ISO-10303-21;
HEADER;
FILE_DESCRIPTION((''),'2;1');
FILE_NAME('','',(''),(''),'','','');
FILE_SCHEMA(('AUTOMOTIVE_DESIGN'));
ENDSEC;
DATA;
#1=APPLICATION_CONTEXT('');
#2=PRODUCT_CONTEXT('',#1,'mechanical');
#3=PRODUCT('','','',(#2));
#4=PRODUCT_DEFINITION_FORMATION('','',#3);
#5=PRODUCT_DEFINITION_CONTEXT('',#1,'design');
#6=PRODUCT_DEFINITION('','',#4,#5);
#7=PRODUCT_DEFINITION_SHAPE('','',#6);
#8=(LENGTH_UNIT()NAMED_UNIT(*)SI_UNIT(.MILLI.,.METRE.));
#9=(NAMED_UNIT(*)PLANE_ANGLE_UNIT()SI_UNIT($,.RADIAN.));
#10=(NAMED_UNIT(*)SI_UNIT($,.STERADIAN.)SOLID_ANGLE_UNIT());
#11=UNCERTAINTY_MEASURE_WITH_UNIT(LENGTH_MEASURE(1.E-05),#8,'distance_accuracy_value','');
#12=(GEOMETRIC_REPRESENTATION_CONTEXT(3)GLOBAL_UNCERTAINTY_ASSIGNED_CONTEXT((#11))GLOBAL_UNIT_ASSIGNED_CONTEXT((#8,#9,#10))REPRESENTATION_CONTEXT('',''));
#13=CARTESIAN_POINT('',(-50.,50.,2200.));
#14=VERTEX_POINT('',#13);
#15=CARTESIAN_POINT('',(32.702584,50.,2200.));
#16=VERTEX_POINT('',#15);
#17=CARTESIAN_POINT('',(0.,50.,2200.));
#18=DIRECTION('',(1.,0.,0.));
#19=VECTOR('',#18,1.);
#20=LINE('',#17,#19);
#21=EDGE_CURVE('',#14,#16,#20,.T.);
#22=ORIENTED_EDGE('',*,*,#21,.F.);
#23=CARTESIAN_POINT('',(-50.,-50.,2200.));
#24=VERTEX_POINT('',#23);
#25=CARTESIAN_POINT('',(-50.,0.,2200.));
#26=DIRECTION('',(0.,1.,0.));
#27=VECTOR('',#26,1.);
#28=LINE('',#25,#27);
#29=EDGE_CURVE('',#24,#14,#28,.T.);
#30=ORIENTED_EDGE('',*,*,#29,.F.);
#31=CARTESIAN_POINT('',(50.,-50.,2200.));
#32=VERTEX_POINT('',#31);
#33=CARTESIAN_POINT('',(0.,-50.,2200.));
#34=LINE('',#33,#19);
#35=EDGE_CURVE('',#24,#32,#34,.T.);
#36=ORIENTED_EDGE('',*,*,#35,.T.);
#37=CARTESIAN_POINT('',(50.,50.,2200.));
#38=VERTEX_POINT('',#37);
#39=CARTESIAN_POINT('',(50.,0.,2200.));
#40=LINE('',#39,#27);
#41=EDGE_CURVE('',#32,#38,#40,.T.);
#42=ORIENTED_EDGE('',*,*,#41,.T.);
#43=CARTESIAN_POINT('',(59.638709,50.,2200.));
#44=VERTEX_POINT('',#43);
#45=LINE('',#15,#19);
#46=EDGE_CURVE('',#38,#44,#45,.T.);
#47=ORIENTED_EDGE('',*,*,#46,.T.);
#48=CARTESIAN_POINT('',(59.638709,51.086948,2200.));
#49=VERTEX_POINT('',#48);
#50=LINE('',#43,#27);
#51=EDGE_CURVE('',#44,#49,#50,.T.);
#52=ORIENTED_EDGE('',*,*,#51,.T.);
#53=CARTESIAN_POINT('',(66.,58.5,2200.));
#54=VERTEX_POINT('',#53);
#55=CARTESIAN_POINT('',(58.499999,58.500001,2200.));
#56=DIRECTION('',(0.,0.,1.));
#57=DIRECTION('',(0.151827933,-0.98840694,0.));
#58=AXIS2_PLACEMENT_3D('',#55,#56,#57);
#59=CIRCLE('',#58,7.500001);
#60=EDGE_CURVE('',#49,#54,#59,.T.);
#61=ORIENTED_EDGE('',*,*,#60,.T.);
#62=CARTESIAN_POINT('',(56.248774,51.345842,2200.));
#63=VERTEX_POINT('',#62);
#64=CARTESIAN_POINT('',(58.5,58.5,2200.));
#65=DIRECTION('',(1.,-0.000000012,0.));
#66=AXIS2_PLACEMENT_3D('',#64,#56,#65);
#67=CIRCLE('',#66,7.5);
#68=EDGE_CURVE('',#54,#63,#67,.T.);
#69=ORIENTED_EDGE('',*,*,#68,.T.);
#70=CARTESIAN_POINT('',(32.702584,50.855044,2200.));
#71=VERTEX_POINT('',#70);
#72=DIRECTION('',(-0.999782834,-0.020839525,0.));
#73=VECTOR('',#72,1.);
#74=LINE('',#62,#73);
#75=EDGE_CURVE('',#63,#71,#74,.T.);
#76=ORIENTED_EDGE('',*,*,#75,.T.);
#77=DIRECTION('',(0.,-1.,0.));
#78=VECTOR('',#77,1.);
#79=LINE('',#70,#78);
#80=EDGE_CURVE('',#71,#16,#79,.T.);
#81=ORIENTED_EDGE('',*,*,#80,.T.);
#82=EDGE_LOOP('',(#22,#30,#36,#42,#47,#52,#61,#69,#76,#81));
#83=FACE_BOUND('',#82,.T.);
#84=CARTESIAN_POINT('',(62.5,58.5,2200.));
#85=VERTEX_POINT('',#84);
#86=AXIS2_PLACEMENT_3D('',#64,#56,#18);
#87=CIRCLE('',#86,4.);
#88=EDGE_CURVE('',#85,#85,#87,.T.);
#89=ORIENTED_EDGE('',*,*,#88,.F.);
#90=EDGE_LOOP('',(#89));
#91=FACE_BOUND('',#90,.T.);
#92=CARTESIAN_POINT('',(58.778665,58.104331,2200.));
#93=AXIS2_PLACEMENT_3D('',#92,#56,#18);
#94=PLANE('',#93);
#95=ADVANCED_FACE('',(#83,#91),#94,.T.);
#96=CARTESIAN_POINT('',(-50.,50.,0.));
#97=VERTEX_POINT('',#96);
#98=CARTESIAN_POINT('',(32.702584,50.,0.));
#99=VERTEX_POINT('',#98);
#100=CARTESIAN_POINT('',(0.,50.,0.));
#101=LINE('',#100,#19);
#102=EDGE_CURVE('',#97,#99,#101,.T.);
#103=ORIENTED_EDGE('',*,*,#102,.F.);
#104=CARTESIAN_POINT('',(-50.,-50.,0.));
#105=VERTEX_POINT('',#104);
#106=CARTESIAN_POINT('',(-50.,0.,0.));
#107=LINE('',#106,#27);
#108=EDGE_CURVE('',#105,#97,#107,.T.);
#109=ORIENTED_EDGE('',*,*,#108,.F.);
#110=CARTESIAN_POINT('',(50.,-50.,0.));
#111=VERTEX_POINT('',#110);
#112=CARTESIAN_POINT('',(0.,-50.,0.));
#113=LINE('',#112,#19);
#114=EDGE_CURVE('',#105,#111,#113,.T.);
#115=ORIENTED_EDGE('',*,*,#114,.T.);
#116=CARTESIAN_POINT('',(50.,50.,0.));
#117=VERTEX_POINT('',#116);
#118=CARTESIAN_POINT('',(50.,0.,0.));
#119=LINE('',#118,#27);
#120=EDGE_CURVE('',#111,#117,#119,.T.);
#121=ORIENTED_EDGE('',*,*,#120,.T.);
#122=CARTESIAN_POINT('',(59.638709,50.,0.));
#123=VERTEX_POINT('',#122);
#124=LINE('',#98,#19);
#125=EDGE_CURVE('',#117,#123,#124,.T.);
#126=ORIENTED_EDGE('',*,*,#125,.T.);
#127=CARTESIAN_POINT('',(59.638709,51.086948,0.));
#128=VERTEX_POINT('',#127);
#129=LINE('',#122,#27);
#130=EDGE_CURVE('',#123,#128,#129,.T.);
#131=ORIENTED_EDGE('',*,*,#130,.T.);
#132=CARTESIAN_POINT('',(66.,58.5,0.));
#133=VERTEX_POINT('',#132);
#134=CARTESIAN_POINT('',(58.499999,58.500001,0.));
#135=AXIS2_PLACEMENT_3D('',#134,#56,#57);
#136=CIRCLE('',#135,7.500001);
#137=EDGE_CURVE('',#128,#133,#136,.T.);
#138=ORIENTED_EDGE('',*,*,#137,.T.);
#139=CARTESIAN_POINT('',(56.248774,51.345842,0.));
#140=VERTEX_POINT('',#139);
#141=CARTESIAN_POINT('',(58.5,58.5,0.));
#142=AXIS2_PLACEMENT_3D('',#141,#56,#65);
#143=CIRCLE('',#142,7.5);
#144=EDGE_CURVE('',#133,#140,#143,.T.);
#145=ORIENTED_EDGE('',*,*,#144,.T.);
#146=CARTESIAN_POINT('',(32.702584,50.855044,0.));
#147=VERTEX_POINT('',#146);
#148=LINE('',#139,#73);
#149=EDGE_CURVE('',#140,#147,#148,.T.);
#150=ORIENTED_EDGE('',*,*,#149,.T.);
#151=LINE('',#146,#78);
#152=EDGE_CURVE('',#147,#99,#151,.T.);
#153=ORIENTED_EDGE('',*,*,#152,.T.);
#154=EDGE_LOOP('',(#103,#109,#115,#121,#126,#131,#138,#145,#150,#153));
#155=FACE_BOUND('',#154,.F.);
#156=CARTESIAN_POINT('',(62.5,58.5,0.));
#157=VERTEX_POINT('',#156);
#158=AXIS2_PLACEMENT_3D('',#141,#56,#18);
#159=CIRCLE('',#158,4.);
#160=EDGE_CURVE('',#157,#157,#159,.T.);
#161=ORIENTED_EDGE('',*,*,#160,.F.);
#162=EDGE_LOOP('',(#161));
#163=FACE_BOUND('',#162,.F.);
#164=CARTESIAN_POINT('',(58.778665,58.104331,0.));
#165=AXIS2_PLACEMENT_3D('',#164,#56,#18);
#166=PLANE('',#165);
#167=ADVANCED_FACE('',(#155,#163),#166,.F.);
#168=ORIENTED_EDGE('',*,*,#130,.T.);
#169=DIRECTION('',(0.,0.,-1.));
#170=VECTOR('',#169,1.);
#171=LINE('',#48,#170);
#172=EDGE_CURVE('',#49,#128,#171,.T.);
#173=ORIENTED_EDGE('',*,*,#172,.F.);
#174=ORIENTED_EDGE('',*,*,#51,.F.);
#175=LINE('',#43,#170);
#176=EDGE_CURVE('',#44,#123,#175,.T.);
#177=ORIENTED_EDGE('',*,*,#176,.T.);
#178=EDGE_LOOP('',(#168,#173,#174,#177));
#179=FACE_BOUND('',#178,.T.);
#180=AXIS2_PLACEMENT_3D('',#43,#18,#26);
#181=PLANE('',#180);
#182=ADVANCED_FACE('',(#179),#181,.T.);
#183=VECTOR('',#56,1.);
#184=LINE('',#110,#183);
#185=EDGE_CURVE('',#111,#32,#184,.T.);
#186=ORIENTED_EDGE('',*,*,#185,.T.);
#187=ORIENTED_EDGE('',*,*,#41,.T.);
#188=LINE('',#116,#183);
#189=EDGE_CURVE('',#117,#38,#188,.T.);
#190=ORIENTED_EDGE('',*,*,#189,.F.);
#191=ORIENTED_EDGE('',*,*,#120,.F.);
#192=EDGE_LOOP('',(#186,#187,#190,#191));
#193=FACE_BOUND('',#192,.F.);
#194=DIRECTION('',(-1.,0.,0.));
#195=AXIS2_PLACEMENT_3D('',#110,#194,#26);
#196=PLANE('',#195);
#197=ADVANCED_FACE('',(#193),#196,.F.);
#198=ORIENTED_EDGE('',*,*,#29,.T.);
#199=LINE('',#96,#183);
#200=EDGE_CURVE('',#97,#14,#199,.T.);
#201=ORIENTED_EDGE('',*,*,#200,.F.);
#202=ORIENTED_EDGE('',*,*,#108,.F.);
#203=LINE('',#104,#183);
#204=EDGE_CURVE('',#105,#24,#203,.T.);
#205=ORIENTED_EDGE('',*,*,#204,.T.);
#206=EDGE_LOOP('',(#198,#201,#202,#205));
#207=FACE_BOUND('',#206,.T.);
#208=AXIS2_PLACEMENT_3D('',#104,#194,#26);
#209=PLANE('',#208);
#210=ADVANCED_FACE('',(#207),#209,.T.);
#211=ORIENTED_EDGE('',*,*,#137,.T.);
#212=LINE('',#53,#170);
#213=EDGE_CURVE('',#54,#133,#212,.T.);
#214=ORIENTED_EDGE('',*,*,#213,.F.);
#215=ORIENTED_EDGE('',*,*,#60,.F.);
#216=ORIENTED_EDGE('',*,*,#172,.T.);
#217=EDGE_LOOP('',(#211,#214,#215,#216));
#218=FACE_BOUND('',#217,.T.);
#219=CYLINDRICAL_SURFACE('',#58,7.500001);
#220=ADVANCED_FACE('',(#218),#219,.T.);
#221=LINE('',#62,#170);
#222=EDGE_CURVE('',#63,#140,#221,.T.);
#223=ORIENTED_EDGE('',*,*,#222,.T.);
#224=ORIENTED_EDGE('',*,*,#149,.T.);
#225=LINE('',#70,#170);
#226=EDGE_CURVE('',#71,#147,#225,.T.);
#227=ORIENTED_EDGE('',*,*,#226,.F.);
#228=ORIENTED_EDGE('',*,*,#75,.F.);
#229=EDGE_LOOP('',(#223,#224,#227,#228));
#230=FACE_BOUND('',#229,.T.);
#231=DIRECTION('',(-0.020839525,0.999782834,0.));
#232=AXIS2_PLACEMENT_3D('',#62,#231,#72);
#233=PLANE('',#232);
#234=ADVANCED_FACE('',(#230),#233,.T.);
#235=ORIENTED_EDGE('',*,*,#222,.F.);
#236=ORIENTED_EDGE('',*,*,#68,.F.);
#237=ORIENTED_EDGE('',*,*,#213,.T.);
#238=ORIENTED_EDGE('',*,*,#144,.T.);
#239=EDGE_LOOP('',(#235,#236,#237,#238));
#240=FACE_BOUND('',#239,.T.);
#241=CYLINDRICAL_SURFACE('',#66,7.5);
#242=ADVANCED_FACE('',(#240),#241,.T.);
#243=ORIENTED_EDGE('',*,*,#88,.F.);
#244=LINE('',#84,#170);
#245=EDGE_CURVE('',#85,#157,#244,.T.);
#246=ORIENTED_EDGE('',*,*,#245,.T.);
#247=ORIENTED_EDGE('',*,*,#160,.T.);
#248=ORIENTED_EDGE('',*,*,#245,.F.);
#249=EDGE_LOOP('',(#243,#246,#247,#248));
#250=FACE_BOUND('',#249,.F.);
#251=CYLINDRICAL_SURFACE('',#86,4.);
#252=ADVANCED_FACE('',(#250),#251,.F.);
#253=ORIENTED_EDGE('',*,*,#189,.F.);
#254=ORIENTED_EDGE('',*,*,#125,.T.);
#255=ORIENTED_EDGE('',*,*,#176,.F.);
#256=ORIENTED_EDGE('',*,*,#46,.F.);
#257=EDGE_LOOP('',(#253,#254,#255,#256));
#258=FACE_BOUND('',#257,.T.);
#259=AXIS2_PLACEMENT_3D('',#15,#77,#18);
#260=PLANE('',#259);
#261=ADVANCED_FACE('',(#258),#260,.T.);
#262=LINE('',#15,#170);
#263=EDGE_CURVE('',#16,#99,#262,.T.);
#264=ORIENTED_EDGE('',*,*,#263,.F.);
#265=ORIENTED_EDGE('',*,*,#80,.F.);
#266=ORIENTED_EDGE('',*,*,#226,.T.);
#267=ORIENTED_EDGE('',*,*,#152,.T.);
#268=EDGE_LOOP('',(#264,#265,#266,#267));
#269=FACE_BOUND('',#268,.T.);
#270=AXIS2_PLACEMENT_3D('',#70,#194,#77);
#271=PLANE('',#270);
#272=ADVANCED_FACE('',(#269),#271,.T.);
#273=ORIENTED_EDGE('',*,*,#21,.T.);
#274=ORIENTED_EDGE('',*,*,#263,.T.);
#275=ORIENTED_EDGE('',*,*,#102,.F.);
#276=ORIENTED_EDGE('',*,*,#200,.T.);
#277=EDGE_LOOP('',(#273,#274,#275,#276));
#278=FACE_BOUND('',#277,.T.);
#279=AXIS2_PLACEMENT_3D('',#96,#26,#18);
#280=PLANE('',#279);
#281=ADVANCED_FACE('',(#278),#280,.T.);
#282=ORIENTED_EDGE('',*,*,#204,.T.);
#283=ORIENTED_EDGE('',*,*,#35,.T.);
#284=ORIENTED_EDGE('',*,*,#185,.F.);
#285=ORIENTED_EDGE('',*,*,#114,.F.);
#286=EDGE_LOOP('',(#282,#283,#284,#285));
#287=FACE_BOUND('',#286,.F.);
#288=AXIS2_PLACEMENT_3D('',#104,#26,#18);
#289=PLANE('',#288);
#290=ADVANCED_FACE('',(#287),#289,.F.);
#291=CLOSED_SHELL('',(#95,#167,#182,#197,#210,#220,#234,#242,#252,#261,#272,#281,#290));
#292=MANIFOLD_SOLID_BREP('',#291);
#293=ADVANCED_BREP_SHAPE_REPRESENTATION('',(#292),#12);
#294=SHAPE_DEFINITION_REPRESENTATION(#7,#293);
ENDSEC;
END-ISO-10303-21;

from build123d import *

# Parameters (mm, degrees)
F0_W     = 100
F0_H     = 100
F1_DEPTH = 2200
F2_R     = 4
F3_DEPTH = 2200


with BuildPart() as f1:
    # F0 (on Top) → F1 (new body)
    with BuildSketch(Plane.XY):
        Rectangle(F0_W, F0_H)
    extrude(amount=F1_DEPTH)

    # F2 (on face) → F3 (join)
    with BuildSketch(Plane.XY.offset(2200)):
        with BuildLine():
            ThreePointArc((59.638709, 51.086948), (64.191674, 53.615858), (66, 58.5))
            ThreePointArc((66, 58.5), (54.063458, 64.547073), (56.248774, 51.345842))
            ThreePointArc((56.248774, 51.345842), (57.928878, 51.021777), (59.638709, 51.086948))
        make_face()
        with Locations((58.5, 58.5)):
            Circle(F2_R, mode=Mode.SUBTRACT)
        with BuildLine():
            ThreePointArc((59.638709, 51.086948), (57.928878, 51.021777), (56.248774, 51.345842))
            Line((56.248774, 51.345842), (32.702584, 50.855044))
            Line((32.702584, 50.855044), (32.702584, 50))
            Line((32.702584, 50), (50, 50))
            Line((50, 50), (59.638709, 50))
            Line((59.638709, 50), (59.638709, 51.086948))
        make_face()
    extrude(amount=-F3_DEPTH)


solid = f1.part
